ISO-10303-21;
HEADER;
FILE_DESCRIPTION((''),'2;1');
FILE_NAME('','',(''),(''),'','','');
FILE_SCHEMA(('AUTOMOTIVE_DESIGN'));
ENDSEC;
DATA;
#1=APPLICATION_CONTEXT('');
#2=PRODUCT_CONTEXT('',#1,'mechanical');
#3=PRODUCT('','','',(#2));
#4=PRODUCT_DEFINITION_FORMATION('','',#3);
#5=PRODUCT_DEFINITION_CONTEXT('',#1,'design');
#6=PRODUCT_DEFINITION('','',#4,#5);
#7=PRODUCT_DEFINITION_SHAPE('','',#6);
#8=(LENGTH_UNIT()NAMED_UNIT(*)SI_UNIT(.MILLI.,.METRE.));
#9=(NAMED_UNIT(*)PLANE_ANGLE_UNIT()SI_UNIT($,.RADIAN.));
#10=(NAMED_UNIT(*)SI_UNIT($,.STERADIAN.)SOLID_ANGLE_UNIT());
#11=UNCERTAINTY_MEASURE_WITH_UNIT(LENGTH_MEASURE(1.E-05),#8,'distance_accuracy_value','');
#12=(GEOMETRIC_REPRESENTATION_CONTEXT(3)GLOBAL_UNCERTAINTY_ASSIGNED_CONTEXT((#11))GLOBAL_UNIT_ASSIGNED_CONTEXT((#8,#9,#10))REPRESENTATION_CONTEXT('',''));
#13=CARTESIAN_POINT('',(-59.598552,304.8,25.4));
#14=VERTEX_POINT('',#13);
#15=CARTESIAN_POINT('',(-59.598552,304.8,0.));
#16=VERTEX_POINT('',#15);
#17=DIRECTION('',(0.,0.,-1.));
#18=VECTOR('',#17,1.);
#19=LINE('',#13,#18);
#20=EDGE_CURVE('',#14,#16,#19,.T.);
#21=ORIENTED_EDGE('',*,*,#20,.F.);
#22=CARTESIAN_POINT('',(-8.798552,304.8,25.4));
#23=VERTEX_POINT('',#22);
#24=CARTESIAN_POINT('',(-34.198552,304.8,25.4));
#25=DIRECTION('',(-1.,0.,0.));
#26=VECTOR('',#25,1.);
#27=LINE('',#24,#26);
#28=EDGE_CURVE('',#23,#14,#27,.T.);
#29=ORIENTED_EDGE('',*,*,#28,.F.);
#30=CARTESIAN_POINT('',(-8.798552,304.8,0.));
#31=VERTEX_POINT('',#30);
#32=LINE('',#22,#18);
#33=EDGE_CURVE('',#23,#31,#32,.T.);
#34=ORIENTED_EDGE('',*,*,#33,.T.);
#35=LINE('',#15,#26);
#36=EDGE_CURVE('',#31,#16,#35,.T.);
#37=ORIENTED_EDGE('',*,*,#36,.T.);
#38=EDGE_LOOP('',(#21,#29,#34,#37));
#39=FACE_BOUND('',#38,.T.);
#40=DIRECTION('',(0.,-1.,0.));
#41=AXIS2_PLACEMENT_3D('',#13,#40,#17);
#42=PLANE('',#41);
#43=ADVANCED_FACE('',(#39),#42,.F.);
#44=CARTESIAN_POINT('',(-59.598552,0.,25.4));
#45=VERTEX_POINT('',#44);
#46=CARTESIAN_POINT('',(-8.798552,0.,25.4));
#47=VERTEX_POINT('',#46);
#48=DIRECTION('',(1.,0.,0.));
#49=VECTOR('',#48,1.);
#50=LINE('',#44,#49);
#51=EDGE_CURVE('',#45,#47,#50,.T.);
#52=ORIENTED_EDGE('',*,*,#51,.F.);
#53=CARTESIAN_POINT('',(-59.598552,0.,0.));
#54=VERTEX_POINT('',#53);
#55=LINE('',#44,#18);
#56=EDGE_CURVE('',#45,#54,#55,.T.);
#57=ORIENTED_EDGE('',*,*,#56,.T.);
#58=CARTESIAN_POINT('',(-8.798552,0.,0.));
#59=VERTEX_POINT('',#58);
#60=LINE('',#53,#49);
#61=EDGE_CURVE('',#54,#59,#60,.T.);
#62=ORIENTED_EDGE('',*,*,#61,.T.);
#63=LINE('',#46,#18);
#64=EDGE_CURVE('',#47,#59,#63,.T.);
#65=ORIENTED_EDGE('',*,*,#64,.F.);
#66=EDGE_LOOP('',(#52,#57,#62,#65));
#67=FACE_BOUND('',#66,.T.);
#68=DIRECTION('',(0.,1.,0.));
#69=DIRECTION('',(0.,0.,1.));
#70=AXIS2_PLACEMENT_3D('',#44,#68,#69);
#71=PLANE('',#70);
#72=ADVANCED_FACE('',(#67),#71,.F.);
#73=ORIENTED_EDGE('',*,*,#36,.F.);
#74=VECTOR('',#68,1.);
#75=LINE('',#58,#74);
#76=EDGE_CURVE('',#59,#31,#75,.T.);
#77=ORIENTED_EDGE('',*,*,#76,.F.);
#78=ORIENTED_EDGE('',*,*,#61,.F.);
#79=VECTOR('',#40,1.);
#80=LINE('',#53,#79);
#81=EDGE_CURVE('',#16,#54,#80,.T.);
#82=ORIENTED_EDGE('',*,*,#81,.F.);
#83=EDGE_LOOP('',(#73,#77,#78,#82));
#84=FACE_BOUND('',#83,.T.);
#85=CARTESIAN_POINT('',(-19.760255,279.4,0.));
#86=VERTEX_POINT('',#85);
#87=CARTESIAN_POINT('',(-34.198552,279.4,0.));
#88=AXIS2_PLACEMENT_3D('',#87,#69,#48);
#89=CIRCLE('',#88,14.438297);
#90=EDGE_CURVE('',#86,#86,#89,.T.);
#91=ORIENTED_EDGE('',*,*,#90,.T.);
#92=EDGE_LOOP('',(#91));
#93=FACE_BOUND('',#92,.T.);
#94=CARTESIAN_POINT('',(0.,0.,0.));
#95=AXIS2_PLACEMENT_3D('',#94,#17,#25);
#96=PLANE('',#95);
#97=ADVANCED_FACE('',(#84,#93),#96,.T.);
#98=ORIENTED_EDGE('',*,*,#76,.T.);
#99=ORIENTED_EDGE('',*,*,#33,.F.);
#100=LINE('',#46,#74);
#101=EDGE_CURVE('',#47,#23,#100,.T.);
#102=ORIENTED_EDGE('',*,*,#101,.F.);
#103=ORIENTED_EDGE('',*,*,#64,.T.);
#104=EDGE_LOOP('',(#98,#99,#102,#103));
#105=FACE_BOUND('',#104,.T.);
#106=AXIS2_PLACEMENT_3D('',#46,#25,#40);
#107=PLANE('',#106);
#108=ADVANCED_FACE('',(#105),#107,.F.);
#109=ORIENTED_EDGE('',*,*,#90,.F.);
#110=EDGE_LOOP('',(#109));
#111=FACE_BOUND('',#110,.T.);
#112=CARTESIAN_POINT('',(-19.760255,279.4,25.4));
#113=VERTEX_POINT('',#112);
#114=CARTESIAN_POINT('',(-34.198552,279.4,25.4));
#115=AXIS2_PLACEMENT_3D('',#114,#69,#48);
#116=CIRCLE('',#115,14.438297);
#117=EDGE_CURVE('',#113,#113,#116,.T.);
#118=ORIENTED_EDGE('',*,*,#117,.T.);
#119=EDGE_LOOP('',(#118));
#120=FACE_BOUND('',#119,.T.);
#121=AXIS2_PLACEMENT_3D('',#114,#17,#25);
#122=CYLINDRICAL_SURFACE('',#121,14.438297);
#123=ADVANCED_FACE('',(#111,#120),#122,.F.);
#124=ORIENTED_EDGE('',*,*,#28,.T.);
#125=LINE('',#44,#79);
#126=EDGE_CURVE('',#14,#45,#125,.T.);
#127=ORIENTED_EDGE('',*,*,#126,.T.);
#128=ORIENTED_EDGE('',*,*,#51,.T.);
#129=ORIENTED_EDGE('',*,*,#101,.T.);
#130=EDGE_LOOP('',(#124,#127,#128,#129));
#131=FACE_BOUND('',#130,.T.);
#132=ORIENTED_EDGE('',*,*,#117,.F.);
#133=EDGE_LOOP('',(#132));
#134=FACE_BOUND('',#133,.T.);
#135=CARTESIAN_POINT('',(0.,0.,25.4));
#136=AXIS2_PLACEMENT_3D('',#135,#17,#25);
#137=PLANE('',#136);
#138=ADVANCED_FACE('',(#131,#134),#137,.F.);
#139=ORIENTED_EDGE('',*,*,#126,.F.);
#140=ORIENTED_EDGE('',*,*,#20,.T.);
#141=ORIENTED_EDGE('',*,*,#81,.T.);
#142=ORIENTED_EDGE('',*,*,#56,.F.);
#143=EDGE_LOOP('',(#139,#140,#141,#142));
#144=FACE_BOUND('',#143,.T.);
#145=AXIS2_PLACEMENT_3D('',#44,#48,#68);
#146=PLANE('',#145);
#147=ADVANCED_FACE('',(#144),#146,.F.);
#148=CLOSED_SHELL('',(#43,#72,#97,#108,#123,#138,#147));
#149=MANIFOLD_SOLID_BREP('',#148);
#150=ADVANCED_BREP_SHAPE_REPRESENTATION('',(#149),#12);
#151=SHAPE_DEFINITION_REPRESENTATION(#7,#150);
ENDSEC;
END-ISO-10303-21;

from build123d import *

# Parameters (mm, degrees)
SKETCH_1_R      = 14.438297444
EXTRUDE_1_DEPTH = 25.4


with BuildPart() as part:
    # 草图1 → 凸台-拉伸1 (new body)
    with BuildSketch(Plane.XY):
        Polygon((-59.598552365, 0), (-8.798552365, 0), (-8.798552365, 304.8), (-34.198552365, 304.8), (-59.598552365, 304.8), align=None)
        with Locations((-34.198552365, 279.4)):
            Circle(SKETCH_1_R, mode=Mode.SUBTRACT)
    extrude(amount=EXTRUDE_1_DEPTH)


solid = part.part
